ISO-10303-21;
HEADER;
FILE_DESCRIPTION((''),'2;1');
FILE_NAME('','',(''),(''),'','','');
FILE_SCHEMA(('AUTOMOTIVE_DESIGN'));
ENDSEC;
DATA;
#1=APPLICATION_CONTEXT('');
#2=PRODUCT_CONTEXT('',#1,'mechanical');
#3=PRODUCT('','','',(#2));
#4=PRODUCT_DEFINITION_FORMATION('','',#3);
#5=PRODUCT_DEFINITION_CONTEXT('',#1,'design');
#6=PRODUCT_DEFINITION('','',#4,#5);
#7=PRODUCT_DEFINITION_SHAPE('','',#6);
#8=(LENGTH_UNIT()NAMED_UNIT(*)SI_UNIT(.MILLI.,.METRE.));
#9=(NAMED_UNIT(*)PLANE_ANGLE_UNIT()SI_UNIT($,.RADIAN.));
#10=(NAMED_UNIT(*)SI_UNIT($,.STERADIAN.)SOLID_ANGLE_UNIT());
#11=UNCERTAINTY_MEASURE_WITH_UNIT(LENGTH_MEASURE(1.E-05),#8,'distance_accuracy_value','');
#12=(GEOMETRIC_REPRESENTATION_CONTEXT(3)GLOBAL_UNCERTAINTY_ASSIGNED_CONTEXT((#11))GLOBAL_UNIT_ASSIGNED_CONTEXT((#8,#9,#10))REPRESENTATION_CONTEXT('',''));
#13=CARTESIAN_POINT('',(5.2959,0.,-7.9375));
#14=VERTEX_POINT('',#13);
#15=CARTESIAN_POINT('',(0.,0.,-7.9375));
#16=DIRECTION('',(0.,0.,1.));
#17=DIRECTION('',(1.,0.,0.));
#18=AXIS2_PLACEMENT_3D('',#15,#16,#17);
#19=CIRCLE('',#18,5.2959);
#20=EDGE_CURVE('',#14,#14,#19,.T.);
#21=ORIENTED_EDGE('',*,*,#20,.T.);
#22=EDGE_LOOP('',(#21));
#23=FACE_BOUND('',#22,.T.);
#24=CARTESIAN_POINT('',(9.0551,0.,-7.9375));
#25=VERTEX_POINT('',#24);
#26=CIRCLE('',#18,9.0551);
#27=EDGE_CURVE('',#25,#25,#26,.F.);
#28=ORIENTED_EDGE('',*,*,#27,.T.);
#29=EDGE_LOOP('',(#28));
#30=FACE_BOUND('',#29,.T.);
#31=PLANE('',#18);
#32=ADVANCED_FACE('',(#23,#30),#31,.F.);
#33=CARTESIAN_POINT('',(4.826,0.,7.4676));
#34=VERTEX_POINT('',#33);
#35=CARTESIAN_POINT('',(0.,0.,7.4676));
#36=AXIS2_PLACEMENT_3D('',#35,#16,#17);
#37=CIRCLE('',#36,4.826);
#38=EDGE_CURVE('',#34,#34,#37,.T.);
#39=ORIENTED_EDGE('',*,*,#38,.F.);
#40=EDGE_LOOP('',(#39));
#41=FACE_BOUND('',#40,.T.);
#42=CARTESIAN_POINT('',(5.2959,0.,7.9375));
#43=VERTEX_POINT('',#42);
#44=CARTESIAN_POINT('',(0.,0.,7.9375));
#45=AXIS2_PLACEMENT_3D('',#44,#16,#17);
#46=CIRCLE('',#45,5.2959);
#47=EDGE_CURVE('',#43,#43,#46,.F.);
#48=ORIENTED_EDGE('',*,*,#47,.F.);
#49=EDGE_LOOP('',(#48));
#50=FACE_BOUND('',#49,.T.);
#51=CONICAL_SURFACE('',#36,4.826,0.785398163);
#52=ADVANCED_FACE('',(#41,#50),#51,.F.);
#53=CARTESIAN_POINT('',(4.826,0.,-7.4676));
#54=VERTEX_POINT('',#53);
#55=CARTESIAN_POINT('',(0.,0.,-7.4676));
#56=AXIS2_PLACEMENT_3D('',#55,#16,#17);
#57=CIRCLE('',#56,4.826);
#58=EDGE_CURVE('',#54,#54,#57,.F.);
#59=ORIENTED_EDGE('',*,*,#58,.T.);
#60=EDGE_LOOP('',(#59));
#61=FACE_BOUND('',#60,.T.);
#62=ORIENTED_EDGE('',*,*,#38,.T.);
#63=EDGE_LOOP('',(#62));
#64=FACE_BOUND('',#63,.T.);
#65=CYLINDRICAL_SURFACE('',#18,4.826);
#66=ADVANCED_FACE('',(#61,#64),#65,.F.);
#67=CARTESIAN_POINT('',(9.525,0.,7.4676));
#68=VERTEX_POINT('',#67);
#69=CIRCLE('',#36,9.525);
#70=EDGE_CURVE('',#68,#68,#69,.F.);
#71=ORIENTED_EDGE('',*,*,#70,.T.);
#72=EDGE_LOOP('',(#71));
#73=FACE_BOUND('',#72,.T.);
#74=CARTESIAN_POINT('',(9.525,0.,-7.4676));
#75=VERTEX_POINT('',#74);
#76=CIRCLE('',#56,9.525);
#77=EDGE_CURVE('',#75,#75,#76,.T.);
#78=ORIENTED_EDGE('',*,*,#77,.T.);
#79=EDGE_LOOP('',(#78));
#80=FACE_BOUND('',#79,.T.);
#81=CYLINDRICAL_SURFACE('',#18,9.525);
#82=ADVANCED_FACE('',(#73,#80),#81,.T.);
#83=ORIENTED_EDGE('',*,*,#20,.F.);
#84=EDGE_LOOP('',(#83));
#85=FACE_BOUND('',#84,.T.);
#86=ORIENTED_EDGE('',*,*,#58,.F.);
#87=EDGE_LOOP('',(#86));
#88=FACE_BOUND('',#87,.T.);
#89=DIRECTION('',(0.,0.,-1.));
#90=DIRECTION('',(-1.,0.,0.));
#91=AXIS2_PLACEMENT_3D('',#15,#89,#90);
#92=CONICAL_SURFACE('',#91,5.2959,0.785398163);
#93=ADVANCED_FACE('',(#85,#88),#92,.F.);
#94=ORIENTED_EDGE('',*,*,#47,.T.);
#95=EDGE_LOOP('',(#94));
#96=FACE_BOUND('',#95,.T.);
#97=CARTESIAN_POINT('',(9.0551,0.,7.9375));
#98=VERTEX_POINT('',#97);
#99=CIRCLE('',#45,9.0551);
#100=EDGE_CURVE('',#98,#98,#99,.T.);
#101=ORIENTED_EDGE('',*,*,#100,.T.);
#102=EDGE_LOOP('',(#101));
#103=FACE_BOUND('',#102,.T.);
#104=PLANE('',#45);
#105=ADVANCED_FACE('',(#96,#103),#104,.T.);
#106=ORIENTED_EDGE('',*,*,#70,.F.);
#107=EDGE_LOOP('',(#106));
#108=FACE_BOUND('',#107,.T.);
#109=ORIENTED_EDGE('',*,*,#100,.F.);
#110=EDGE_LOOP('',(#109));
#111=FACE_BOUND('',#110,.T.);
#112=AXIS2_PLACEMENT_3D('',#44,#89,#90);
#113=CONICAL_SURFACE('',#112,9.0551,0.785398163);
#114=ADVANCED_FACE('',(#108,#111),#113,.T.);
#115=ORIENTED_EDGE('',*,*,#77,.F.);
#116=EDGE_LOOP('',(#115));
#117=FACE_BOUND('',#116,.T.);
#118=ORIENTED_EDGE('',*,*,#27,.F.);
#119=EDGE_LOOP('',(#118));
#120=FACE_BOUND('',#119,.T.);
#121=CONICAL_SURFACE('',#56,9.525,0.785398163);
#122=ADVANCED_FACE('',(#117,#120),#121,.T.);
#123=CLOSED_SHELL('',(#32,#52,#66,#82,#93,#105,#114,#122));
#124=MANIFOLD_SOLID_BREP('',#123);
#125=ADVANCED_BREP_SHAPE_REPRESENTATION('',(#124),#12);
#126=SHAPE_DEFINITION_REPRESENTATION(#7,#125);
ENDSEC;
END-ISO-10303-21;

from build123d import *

# Parameters (mm, degrees)
BOSS_EXTRUDE1_DEPTH      = 7.9375
BOSS_EXTRUDE1_DEPTH_BACK = 7.9375
SKETCH3_R                = 9.525
SKETCH3_R_2              = 4.826
CHAMFER1_SIZE            = 0.4699


with BuildPart() as part:
    # Sketch3 → Boss-Extrude1 (new, two sides: drawn at the far end of the back side and taken through both)
    with BuildSketch(Plane.XY.offset(-BOSS_EXTRUDE1_DEPTH_BACK)):
        Circle(SKETCH3_R)
        Circle(SKETCH3_R_2, mode=Mode.SUBTRACT)
    extrude(amount=BOSS_EXTRUDE1_DEPTH + BOSS_EXTRUDE1_DEPTH_BACK)

    # Chamfer1
    chamfer1_edges = [part.edges().sort_by_distance(p)[0] for p in [
        (-9.525, 0, -7.9375),
        (-4.826, 0, -7.9375),
        (-9.525, 0, 7.9375),
        (-4.826, 0, 7.9375),
    ]]
    chamfer(chamfer1_edges, length=CHAMFER1_SIZE)


solid = part.part
